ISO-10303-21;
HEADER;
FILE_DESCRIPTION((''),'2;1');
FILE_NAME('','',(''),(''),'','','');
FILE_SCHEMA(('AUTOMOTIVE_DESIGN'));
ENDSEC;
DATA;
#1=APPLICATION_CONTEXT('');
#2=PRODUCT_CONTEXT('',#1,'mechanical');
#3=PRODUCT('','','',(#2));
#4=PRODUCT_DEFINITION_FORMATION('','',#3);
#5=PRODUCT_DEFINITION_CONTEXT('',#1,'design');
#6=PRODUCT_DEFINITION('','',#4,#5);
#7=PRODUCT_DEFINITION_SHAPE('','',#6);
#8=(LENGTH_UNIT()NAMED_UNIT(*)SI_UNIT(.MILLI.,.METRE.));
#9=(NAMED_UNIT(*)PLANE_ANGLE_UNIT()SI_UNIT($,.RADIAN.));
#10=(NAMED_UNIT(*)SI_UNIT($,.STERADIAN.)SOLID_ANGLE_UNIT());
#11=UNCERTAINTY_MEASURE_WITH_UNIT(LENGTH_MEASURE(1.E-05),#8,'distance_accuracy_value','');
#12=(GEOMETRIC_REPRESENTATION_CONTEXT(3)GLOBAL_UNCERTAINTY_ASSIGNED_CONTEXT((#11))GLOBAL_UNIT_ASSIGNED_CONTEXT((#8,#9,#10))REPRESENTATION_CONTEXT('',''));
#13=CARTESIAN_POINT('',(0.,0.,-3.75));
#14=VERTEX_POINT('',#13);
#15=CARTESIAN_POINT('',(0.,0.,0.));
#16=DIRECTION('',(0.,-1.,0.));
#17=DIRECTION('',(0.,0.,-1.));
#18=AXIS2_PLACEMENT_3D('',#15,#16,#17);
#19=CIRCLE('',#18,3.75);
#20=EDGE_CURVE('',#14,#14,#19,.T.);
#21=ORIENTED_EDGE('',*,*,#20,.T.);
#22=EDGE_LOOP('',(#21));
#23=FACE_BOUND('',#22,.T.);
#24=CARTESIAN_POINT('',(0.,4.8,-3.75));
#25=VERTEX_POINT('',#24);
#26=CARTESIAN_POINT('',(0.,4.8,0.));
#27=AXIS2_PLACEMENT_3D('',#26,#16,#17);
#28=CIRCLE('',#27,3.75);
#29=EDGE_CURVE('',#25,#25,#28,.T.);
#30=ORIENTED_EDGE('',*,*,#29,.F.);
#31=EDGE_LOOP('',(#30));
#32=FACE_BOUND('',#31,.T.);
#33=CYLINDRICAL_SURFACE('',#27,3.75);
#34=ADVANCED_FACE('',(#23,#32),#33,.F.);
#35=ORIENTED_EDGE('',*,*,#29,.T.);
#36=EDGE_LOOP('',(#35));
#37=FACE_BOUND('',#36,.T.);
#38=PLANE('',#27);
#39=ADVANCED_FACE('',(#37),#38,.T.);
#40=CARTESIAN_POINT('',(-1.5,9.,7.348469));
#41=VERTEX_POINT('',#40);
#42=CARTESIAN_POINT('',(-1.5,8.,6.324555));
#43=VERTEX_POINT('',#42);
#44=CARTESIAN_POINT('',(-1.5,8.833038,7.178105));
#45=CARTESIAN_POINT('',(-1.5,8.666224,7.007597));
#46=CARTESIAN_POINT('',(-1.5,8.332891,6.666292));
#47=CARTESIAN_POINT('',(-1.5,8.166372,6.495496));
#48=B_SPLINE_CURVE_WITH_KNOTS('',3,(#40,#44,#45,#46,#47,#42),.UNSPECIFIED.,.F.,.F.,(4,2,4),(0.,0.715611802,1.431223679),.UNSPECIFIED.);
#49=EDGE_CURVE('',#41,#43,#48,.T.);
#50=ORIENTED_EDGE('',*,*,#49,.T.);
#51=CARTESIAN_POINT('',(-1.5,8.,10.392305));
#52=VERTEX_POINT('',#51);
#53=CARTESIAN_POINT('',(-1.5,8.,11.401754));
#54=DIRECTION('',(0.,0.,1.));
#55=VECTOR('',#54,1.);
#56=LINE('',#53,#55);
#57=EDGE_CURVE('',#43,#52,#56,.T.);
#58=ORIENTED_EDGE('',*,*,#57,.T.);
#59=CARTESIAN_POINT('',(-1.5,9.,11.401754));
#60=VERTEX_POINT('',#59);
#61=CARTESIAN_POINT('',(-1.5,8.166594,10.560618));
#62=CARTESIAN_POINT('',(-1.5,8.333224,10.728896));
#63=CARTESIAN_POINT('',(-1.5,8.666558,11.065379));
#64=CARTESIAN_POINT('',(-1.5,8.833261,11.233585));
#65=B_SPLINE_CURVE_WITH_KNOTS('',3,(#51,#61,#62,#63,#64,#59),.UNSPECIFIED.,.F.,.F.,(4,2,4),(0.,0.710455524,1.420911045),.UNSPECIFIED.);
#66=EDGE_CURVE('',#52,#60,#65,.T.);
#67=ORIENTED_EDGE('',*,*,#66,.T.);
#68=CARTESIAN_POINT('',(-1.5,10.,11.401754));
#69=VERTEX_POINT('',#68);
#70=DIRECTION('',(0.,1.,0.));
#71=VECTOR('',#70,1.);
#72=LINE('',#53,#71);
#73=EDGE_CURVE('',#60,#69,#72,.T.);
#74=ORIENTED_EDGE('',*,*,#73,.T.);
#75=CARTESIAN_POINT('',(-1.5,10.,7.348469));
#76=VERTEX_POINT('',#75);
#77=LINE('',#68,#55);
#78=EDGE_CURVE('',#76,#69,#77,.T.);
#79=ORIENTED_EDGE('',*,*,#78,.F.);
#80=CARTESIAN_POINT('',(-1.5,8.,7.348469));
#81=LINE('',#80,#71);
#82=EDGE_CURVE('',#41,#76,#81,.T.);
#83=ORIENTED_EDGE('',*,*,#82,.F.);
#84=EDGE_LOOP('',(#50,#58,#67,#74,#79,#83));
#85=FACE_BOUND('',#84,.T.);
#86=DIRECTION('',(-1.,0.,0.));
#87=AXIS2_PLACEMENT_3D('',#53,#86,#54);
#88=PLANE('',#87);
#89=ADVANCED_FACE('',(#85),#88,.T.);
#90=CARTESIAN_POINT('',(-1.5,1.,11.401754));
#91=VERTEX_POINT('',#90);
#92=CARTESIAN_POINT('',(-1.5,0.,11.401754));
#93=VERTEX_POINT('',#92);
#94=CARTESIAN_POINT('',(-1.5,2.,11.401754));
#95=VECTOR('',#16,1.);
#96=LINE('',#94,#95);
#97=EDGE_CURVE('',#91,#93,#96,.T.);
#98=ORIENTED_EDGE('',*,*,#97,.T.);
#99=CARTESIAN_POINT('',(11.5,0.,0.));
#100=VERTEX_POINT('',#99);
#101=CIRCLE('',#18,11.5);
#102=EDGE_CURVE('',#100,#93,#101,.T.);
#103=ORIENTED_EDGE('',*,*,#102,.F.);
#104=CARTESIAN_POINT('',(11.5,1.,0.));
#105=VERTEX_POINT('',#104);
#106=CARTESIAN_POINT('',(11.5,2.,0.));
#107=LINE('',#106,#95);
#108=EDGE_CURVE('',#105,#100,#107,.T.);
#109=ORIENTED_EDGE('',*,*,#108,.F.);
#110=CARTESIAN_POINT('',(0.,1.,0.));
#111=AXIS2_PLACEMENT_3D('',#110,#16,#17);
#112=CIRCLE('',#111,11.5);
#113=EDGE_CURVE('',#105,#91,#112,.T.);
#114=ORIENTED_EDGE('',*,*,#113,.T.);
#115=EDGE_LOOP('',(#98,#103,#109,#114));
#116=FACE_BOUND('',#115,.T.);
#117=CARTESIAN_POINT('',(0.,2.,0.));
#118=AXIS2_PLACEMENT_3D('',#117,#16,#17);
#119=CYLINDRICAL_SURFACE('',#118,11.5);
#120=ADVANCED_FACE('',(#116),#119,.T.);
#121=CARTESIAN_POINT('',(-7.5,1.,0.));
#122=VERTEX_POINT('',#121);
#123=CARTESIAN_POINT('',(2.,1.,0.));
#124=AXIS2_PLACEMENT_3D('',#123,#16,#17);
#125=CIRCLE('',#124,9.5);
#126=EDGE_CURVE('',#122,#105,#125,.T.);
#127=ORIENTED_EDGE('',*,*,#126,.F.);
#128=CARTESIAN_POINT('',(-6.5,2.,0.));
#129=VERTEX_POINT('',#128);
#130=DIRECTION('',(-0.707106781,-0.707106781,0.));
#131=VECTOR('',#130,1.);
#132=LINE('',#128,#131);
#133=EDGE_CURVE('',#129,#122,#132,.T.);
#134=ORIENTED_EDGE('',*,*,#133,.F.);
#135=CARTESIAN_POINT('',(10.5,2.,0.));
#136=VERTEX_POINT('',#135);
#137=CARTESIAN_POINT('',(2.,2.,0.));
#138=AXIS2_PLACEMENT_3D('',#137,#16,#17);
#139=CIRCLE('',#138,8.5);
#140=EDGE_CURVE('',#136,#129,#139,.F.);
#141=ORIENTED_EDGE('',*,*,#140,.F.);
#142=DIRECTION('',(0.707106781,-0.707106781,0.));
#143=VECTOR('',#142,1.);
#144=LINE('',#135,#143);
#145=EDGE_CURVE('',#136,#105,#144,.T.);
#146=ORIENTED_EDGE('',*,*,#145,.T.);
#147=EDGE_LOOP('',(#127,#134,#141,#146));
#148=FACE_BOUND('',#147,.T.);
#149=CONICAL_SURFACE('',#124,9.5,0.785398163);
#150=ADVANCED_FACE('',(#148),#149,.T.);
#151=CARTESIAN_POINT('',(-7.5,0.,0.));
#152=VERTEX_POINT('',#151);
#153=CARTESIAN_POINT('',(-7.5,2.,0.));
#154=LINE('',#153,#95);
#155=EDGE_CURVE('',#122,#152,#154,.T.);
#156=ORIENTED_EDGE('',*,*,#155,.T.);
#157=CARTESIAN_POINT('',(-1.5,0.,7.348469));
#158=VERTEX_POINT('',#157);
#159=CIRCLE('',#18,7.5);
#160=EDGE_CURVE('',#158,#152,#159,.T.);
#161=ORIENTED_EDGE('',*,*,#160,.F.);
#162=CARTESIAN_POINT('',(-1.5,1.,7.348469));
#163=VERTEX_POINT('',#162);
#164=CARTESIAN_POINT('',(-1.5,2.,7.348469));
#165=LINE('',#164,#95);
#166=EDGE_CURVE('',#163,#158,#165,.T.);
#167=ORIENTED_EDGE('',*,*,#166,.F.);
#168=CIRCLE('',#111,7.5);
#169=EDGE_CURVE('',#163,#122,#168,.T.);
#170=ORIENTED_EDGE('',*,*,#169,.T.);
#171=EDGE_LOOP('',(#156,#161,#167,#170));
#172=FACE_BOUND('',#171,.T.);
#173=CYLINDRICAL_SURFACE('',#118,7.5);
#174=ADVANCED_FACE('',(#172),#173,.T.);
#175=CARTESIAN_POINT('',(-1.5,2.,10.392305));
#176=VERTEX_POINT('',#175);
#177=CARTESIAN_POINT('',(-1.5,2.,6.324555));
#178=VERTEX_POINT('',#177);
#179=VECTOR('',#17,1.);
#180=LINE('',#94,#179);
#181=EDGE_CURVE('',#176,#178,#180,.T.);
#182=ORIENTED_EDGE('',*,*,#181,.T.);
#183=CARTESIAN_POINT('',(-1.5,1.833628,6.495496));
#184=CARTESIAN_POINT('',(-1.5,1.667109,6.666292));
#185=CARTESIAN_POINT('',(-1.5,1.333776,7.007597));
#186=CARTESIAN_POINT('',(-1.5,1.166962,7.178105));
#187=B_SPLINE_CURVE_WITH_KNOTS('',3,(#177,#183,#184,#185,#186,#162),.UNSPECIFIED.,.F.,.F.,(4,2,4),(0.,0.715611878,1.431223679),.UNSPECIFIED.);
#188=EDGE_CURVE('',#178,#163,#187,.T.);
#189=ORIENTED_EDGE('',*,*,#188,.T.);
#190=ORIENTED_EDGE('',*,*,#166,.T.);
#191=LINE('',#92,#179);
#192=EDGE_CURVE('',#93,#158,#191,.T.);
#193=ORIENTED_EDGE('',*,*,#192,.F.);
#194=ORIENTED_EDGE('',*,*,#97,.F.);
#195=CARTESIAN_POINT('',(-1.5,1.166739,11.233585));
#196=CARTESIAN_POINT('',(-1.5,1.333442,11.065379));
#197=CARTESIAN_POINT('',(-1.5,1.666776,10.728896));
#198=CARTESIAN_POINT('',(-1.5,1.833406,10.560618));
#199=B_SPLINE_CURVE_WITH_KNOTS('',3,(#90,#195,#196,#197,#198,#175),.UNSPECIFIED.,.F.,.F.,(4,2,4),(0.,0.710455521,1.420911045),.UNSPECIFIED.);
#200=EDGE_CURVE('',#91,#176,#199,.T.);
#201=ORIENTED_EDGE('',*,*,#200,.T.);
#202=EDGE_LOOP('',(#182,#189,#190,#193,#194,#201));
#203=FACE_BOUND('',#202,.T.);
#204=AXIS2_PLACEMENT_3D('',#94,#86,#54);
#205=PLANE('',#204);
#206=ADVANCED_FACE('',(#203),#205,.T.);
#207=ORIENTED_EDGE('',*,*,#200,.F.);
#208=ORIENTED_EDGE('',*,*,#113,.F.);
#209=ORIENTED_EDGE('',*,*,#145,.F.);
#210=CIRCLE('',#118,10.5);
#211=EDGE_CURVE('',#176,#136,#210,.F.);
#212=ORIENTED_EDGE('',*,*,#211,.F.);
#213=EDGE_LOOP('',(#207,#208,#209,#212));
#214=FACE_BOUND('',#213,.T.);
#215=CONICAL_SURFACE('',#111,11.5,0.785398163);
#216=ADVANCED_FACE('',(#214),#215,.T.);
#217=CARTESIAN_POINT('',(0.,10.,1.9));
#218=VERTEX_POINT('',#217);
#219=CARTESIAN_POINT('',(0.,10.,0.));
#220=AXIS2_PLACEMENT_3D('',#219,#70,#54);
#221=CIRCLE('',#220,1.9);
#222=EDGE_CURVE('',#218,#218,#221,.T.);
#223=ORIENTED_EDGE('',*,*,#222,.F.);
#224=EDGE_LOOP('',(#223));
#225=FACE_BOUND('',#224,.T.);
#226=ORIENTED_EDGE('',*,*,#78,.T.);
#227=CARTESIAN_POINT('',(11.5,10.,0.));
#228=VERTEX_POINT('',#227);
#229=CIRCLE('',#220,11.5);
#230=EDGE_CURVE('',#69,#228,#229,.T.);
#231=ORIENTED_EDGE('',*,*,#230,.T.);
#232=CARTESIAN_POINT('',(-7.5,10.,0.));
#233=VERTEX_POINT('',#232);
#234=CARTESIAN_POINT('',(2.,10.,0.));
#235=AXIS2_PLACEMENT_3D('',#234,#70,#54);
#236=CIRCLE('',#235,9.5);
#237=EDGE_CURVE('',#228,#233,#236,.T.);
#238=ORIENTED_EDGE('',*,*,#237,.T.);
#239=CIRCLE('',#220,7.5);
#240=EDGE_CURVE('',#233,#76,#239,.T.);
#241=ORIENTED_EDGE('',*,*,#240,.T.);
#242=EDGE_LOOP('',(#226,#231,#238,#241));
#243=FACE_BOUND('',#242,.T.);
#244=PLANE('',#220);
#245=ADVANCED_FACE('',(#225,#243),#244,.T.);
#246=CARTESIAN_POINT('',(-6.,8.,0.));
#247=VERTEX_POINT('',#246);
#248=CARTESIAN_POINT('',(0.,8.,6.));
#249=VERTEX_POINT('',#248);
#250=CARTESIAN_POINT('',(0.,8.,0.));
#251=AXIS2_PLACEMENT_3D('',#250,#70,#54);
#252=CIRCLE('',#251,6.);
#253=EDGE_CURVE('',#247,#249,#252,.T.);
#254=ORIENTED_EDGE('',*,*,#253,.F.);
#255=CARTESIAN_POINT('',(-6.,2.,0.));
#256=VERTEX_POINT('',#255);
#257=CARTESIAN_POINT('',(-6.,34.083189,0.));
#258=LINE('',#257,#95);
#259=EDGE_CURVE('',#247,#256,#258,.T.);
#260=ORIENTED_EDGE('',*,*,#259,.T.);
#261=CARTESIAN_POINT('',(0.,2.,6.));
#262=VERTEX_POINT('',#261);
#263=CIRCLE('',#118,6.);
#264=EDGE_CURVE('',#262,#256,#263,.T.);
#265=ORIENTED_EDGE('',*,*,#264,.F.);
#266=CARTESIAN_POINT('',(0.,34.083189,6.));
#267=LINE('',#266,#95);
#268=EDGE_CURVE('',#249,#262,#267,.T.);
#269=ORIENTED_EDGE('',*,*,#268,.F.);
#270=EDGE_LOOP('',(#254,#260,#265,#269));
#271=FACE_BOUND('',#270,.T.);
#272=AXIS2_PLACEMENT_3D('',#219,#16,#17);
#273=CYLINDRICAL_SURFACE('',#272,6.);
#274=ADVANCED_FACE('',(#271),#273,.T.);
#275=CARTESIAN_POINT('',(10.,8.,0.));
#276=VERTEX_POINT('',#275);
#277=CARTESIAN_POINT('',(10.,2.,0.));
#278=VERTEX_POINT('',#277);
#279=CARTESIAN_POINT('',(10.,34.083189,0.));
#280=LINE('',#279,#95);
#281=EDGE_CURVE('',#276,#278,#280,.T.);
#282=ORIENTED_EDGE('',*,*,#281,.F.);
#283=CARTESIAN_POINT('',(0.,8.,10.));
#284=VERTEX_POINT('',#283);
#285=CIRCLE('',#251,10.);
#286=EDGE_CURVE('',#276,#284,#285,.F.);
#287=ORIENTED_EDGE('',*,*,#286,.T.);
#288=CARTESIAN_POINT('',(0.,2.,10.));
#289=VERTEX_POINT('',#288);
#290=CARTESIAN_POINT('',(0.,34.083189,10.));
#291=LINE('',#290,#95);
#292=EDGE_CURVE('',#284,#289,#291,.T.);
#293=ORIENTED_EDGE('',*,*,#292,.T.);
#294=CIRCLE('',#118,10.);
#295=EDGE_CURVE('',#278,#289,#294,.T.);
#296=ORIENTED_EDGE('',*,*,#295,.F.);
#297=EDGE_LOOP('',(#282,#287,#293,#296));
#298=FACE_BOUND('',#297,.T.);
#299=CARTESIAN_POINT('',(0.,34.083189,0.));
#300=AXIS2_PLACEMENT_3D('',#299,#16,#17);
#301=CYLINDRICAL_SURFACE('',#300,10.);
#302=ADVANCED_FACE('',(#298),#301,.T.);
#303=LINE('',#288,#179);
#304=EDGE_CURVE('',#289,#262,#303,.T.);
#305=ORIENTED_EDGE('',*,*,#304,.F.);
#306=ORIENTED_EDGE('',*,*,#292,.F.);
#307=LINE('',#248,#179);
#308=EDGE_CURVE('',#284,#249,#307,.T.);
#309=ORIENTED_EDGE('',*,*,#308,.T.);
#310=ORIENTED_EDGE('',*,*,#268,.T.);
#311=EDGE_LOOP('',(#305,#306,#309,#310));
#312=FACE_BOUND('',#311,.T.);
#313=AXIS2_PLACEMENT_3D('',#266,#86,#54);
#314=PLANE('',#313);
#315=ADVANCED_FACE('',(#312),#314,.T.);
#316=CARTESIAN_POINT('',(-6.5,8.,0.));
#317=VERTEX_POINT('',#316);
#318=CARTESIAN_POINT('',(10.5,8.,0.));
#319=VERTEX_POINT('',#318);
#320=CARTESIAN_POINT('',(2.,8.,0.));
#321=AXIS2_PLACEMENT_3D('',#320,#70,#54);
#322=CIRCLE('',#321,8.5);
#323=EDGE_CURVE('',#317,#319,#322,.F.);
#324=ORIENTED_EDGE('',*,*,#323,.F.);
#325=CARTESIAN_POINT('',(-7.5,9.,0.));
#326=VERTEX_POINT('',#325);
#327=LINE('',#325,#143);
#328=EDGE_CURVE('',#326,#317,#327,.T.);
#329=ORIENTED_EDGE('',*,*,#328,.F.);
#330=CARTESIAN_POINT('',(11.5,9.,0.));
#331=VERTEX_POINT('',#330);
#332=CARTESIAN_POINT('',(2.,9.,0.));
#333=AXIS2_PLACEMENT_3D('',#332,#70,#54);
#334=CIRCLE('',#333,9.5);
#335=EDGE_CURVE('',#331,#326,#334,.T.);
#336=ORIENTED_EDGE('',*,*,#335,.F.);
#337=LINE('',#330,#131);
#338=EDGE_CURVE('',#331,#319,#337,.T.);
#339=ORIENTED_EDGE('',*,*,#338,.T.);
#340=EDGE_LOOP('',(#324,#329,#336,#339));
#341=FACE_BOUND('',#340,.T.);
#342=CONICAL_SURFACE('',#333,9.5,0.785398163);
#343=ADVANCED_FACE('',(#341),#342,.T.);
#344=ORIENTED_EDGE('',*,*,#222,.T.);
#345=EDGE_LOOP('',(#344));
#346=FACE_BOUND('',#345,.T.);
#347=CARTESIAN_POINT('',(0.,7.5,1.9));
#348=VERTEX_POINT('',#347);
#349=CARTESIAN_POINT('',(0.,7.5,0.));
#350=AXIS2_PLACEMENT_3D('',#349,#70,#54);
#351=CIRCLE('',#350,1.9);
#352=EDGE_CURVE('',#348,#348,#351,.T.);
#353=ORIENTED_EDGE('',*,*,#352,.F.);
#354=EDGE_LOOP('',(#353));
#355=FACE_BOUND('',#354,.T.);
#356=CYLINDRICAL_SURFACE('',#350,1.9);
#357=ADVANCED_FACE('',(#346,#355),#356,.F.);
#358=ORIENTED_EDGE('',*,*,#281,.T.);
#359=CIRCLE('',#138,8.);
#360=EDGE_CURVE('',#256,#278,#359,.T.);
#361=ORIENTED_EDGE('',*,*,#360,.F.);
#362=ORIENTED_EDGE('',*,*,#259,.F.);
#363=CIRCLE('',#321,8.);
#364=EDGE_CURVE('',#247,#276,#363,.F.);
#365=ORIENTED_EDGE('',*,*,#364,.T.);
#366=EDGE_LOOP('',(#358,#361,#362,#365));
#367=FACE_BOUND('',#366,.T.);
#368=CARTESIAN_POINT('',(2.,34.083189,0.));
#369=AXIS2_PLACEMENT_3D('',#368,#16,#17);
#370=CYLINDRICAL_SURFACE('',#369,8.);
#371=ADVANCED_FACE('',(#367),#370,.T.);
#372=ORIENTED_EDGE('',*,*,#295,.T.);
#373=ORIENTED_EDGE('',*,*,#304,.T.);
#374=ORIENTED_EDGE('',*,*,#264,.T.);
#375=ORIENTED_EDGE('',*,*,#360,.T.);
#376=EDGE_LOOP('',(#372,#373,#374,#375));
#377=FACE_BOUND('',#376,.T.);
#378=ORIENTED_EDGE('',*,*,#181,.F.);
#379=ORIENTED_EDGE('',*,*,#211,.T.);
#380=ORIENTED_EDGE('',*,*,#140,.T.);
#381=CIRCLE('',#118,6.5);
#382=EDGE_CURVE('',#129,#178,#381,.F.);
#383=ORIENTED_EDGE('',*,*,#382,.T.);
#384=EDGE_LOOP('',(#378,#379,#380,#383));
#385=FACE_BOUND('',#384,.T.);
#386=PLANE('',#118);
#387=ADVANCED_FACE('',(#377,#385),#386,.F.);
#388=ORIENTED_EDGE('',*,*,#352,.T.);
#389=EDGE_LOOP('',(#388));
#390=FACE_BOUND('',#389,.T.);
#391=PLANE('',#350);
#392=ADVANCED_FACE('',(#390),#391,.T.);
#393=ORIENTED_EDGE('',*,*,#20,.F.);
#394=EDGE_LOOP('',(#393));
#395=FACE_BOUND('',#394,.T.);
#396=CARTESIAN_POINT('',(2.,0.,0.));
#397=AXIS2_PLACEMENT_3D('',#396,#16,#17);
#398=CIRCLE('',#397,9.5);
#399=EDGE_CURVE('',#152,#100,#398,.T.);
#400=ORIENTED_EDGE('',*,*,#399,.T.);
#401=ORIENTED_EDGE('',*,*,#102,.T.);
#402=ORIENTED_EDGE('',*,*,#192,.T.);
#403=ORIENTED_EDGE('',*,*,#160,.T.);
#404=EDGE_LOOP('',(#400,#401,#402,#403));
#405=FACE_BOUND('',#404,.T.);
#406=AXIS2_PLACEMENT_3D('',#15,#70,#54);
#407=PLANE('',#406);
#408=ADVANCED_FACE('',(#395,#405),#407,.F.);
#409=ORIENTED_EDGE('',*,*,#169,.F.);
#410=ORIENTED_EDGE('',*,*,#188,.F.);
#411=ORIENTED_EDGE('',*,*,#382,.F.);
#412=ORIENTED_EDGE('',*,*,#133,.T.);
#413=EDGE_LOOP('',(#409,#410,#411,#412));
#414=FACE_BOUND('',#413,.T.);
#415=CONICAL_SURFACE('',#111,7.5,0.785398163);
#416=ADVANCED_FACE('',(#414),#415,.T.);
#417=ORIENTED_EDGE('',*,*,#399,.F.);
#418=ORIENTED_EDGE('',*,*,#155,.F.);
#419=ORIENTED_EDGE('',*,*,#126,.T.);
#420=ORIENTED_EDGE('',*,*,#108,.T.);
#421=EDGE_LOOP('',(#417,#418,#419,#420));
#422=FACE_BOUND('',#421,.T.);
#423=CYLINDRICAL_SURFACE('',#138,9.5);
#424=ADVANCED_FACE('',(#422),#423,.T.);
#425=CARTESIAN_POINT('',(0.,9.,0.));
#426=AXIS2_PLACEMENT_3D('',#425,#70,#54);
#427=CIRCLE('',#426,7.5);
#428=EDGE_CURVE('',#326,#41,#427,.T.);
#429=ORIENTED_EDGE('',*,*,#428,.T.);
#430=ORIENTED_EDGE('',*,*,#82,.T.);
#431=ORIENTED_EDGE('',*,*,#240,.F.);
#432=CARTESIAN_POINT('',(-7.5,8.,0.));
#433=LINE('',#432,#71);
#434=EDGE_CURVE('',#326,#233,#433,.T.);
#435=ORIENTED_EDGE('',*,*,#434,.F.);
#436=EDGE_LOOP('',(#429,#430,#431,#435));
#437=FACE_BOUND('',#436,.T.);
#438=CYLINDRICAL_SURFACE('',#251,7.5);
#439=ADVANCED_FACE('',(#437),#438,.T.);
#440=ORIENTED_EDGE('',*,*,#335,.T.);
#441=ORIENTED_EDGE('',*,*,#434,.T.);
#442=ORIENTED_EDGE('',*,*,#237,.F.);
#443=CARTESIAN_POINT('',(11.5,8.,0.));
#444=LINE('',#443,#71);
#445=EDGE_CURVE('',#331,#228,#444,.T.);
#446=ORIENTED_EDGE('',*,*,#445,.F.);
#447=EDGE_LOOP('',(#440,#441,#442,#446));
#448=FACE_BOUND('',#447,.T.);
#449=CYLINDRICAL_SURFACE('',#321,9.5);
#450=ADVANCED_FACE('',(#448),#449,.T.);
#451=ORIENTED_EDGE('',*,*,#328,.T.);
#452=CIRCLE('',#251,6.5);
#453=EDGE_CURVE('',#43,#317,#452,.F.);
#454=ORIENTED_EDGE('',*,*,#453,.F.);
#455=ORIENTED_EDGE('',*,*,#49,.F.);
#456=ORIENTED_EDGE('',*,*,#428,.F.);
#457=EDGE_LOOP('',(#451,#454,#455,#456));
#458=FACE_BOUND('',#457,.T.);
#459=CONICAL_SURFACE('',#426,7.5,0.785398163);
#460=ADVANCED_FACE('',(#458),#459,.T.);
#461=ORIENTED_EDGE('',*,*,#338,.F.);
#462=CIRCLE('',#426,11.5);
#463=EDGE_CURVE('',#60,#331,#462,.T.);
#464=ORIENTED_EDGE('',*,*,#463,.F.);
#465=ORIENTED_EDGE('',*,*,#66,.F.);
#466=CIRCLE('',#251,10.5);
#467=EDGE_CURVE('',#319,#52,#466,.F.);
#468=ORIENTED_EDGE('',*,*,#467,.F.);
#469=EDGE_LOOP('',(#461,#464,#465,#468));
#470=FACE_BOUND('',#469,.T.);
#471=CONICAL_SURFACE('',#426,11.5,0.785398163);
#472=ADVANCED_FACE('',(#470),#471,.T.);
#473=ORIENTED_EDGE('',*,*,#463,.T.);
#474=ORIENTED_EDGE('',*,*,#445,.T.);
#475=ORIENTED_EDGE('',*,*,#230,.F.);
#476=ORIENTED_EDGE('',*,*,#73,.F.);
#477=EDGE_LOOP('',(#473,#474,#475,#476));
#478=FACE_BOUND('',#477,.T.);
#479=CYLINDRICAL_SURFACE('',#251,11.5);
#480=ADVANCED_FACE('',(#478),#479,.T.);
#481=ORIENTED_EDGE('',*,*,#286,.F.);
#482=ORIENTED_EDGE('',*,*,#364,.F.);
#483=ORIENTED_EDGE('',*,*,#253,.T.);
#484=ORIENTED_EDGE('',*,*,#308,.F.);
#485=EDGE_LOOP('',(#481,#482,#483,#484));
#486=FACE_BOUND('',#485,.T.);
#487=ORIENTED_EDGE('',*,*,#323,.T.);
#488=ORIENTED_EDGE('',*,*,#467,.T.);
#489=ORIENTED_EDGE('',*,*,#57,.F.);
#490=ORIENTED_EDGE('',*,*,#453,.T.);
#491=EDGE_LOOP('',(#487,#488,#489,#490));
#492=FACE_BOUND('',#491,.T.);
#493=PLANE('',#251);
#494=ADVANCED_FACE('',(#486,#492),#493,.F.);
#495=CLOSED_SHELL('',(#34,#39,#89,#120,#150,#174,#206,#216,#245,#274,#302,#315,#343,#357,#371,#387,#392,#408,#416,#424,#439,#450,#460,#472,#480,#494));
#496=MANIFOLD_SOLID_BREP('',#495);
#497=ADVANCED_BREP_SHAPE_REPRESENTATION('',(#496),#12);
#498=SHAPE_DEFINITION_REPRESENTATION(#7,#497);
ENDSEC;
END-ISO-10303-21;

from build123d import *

# Parameters (mm, degrees)
SKETCH1_R           = 6
BOSS_EXTRUDE1_DEPTH = 10
SKETCH2_R           = 1.9
CUT_EXTRUDE1_DEPTH  = 2.5
SKETCH3_R           = 3.75
CUT_EXTRUDE2_DEPTH  = 4.8
BOSS_EXTRUDE2_DEPTH = 10
BOSS_EXTRUDE3_DEPTH = 2
BOSS_EXTRUDE5_START = -2
SKETCH9_R           = 1.9
BOSS_EXTRUDE5_DEPTH = 2
CHAMFER1_SIZE       = 1


with BuildPart() as part:
    # Sketch1 → Boss-Extrude1 (new body)
    with BuildSketch(Plane(origin=(0, 0, 0), x_dir=(1, 0, 0), z_dir=(0, 1, 0))):
        with Locations(Location((0, 0, 0), (0, 0, 270))):
            Circle(SKETCH1_R)
    extrude(amount=BOSS_EXTRUDE1_DEPTH)

    # Sketch2 → Cut-Extrude1 (cut)
    with BuildSketch(Plane(origin=(0, 10, 0), x_dir=(1, 0, 0), z_dir=(0, 1, 0))):
        with Locations(Location((0, 0, 0), (0, 0, 270))):
            Circle(SKETCH2_R)
    extrude(amount=-CUT_EXTRUDE1_DEPTH, mode=Mode.SUBTRACT)

    # Sketch3 → Cut-Extrude2 (cut)
    with BuildSketch(Plane.XZ):
        with Locations(Location((0, 0, 0), (0, 0, 270))):
            Circle(SKETCH3_R)
    extrude(amount=-CUT_EXTRUDE2_DEPTH, mode=Mode.SUBTRACT)

    # Sketch5 → Boss-Extrude2 (add)
    with BuildSketch(Plane.XZ):
        with BuildLine():
            Line((0, 6), (0, 10))
            ThreePointArc((0, 10), (7.071067812, 7.071067812), (10, 0))
            ThreePointArc((10, 0), (2, -8), (-6, 0))
            ThreePointArc((-6, 0), (4.242640687, -4.242640687), (0, 6))
        make_face()
    extrude(amount=-BOSS_EXTRUDE2_DEPTH)

    # Sketch7 → Boss-Extrude3 (add)
    with BuildSketch(Plane.XZ):
        with BuildLine():
            Line((-1.5, 11.401754251), (-1.5, 7.348469228))
            ThreePointArc((-1.5, 7.348469228), (-5.809475019, 4.74341649), (-7.5, 0))
            ThreePointArc((-7.5, 0), (2, -9.5), (11.5, 0))
            ThreePointArc((11.5, 0), (7.582875444, 8.645808233), (-1.5, 11.401754251))
        make_face()
        with BuildLine():
            Line((0, 10), (0, 6))
            ThreePointArc((0, 6), (-4.242640687, 4.242640687), (-6, 0))
            ThreePointArc((-6, 0), (2, -8), (10, 0))
            ThreePointArc((10, 0), (7.071067812, 7.071067812), (0, 10))
        make_face(mode=Mode.SUBTRACT)
    extrude(amount=-BOSS_EXTRUDE3_DEPTH)

    # Sketch9 → Boss-Extrude5 (add)
    with BuildSketch(Plane(origin=(0, 10, 0), x_dir=(1, 0, 0), z_dir=(0, 1, 0)).offset(BOSS_EXTRUDE5_START)):
        with BuildLine():
            Line((-1.5, -11.401754251), (-1.5, -7.348469228))
            ThreePointArc((-1.5, -7.348469228), (-5.809475019, -4.74341649), (-7.5, 0))
            ThreePointArc((-7.5, 0), (2, 9.5), (11.5, 0))
            ThreePointArc((11.5, 0), (7.582875444, -8.645808233), (-1.5, -11.401754251))
        make_face()
        with Locations(Location((0, 0, 0), (0, 0, 270))):
            Circle(SKETCH9_R, mode=Mode.SUBTRACT)
    extrude(amount=BOSS_EXTRUDE5_DEPTH)

    # Chamfer1
    chamfer1_edges = [part.edges().sort_by_distance(p)[0] for p in [
        (7.582875444, 2, 8.645808233),
        (2, 2, -9.5),
        (-5.809475019, 2, 4.74341649),
        (-5.809475019, 8, 4.74341649),
        (2, 8, -9.5),
        (7.582875444, 8, 8.645808233),
    ]]
    chamfer(chamfer1_edges, length=CHAMFER1_SIZE)


solid = part.part
